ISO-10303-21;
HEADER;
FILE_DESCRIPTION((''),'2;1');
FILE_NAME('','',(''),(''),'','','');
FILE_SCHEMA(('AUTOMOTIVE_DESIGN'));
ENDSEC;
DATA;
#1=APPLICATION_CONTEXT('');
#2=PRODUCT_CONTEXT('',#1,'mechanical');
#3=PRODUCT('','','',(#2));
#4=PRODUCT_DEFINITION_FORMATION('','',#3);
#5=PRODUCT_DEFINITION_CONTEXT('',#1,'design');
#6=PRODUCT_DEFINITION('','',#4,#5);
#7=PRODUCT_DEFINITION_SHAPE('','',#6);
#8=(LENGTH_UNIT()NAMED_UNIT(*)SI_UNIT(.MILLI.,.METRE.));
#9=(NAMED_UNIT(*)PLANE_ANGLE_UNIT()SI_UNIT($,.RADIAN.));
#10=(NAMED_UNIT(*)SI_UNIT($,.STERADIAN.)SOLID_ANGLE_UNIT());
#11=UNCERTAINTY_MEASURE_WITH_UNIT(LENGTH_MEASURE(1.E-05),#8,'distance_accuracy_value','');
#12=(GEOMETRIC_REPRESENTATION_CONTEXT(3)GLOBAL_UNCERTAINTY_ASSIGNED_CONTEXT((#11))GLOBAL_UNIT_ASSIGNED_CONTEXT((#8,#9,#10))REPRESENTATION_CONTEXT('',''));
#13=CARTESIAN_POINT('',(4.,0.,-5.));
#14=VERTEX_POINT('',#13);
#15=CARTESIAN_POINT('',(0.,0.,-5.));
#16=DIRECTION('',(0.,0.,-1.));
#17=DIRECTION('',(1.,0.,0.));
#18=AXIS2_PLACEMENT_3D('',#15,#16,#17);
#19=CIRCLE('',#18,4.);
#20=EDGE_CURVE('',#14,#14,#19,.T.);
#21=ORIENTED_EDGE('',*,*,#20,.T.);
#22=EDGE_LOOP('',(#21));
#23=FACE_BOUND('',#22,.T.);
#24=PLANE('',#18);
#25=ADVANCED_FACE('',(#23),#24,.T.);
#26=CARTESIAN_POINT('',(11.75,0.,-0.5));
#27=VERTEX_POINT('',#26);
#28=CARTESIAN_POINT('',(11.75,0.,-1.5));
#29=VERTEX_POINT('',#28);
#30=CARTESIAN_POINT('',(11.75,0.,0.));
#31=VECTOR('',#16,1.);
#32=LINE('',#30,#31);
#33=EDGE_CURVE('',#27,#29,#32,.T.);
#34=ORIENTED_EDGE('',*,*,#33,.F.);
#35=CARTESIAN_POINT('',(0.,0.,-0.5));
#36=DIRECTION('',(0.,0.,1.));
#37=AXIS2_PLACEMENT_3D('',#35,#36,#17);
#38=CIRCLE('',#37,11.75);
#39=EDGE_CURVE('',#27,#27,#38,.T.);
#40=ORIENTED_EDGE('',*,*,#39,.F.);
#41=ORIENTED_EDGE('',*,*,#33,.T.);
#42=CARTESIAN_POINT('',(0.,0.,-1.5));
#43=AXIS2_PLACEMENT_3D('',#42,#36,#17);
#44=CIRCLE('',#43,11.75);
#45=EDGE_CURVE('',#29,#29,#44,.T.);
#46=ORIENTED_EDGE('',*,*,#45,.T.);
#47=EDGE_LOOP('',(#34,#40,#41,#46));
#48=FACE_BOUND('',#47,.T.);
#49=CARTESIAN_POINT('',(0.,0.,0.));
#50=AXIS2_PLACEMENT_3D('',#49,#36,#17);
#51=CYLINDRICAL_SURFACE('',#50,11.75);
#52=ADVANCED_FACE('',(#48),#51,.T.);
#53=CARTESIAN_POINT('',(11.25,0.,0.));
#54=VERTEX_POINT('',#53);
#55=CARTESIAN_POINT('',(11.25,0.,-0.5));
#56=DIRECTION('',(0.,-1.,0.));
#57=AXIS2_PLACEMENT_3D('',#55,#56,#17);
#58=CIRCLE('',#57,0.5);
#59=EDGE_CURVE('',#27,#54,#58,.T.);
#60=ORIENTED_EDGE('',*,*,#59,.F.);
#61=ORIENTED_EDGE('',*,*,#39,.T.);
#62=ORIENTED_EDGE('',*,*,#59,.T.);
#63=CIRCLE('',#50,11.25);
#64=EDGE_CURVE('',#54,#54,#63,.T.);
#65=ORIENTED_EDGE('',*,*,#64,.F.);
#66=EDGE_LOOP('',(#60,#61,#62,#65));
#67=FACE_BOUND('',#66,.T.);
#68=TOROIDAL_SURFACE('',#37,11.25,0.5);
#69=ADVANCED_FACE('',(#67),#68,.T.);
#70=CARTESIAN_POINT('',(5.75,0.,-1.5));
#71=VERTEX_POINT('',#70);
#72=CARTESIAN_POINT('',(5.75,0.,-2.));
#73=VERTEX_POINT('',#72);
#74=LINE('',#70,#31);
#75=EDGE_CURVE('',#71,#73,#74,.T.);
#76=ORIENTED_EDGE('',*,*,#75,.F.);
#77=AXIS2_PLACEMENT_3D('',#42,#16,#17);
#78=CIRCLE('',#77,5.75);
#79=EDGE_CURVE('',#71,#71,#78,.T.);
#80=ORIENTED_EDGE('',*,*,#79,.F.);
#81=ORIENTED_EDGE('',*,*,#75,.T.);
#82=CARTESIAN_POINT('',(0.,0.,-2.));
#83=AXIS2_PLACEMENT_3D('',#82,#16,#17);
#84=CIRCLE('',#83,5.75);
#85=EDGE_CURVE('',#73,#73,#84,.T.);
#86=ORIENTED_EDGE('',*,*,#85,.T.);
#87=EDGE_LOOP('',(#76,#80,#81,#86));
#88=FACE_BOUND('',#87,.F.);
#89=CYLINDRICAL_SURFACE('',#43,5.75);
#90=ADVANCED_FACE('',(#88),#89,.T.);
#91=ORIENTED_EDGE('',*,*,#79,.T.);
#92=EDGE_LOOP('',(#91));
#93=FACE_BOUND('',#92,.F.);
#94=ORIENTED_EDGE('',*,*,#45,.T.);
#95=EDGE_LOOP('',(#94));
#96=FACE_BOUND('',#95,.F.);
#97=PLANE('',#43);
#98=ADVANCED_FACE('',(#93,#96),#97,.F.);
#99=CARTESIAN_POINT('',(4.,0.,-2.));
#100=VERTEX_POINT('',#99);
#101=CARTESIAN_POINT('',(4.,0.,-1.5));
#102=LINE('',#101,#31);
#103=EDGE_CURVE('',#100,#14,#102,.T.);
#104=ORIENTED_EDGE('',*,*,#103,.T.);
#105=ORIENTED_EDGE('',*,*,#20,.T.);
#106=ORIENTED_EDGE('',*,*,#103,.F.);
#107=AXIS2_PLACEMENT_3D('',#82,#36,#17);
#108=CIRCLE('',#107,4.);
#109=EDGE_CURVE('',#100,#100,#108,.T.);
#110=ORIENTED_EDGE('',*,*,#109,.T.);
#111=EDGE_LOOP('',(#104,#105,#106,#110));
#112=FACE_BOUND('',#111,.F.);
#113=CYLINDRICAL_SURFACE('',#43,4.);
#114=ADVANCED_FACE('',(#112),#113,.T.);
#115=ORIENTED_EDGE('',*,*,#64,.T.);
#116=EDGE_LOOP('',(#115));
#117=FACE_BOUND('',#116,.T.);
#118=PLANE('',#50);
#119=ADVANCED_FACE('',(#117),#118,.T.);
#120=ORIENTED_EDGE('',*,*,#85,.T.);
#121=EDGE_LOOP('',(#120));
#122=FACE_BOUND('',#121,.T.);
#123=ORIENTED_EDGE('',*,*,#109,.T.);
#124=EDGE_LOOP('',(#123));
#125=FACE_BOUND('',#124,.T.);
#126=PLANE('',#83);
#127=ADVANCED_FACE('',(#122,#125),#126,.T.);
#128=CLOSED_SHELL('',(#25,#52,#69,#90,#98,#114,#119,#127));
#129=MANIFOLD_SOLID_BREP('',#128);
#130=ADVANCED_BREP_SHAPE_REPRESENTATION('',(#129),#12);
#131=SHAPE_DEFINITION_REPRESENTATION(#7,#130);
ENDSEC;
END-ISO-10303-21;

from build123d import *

# Parameters (mm, degrees)
F0_R     = 11.75
F1_DEPTH = 1.5
F2_R     = 0.5
F3_R     = 4
F4_DEPTH = 3.5
F5_R     = 5.75
F6_DEPTH = 0.5


with BuildPart() as f1:
    # F0 (on Top) → F1 (new body)
    with BuildSketch(Plane.XY):
        Circle(F0_R)
    extrude(amount=-F1_DEPTH)

    # F2
    f2_edges = [f1.edges().sort_by_distance(p)[0] for p in [
        (-11.75, 0, 0),
    ]]
    fillet(f2_edges, radius=F2_R)

    # F3 (on face) → F4 (join)
    with BuildSketch(Plane(origin=(0, 0, -1.5), x_dir=(1, 0, 0), z_dir=(0, 0, -1))):
        Circle(F3_R)
    extrude(amount=F4_DEPTH)

    # F5 (on face) → F6 (join)
    with BuildSketch(Plane(origin=(0, 0, -1.5), x_dir=(1, 0, 0), z_dir=(0, 0, -1))):
        Circle(F5_R)
    extrude(amount=F6_DEPTH)


solid = f1.part
